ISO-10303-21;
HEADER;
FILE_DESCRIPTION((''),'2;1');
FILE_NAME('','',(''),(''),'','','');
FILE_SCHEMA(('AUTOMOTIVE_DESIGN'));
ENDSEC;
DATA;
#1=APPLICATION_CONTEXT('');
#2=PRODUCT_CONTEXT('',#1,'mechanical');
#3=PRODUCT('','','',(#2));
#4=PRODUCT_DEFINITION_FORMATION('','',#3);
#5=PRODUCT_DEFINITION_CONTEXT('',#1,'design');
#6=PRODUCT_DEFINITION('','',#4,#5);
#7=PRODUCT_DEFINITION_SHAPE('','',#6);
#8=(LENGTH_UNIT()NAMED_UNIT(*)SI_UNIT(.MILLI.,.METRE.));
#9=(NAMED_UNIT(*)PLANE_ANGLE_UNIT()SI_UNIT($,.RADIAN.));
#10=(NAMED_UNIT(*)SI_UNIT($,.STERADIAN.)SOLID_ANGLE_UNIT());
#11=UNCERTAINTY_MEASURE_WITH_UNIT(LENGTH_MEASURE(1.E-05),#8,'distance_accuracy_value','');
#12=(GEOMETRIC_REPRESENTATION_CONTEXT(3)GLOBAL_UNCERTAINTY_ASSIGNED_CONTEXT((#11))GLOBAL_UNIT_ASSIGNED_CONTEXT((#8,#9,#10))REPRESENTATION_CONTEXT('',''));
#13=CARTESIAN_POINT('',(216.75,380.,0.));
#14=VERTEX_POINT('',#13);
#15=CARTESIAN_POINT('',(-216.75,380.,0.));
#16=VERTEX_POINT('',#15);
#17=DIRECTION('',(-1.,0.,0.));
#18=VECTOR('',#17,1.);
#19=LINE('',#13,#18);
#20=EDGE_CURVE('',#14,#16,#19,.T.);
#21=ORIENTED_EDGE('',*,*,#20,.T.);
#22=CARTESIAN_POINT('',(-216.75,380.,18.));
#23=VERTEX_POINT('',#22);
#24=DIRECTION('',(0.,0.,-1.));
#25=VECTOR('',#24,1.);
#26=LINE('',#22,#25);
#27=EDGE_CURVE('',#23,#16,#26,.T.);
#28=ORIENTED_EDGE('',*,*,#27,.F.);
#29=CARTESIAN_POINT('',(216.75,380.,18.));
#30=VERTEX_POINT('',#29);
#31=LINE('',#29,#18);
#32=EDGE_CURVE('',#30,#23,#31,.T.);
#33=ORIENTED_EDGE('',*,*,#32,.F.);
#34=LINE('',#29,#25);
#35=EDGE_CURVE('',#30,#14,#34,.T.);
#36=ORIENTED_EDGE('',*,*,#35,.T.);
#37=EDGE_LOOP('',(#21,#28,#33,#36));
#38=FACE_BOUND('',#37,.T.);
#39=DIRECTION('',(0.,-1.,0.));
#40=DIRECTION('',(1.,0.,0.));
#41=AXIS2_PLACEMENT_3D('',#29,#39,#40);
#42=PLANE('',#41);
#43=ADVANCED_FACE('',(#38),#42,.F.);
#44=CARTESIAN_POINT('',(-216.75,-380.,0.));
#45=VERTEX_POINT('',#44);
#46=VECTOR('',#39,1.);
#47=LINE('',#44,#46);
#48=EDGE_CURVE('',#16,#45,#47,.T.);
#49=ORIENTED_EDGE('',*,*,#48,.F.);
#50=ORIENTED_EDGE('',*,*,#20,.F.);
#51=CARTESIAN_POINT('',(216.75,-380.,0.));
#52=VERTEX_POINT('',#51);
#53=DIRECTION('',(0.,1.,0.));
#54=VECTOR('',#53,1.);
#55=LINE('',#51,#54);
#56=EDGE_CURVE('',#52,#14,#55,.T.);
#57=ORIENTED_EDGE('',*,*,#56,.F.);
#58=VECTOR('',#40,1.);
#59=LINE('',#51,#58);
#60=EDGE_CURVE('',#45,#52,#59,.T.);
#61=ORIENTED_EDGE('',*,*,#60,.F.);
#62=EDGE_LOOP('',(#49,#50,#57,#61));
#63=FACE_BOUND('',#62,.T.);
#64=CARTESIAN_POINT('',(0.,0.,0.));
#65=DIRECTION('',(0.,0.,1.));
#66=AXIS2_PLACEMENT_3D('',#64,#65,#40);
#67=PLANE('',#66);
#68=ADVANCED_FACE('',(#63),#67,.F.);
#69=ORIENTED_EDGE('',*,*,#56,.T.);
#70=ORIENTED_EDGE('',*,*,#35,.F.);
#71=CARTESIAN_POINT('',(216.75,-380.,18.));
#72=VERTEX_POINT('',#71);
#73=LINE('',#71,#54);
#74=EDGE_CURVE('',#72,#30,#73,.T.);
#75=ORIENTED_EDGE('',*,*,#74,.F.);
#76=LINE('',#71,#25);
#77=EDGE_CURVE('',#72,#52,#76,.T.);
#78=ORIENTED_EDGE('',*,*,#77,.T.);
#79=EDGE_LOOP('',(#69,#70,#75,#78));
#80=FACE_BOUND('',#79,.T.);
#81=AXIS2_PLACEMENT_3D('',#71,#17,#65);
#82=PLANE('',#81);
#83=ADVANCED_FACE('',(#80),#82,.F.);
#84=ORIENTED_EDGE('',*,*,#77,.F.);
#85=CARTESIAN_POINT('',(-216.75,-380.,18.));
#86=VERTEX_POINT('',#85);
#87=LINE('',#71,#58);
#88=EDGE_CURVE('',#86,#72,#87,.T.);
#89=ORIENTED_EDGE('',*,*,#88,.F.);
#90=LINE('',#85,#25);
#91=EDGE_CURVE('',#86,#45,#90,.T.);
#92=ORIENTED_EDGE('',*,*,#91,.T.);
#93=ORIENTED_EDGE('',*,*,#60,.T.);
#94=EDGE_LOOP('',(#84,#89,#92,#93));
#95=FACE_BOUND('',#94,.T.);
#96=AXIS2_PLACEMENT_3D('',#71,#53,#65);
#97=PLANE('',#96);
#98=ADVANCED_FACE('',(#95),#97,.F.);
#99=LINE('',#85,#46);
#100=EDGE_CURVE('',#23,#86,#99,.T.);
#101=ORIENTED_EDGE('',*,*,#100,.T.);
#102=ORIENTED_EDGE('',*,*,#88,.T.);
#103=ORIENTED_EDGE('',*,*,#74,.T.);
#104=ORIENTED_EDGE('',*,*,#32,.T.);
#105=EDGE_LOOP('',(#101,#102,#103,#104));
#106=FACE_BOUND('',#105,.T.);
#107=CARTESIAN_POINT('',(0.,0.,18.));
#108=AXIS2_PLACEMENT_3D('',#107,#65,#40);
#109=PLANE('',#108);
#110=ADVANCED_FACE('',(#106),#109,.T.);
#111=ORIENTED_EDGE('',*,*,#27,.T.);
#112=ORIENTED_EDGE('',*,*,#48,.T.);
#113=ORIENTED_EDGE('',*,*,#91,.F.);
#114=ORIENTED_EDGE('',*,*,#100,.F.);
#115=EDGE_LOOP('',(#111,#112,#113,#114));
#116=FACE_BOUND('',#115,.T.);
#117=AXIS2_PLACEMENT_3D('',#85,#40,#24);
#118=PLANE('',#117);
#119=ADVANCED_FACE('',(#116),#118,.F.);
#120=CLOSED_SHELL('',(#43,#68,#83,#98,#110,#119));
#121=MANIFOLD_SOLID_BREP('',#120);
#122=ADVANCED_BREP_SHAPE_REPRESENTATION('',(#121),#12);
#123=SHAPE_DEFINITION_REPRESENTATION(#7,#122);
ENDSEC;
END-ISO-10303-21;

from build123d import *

# Parameters (mm, degrees)
SKETCH1_W           = 433.5
SKETCH1_H           = 760
BOSS_EXTRUDE1_DEPTH = 18


with BuildPart() as part:
    # Sketch1 → Boss-Extrude1 (new body)
    with BuildSketch(Plane.XY):
        Rectangle(SKETCH1_W, SKETCH1_H)
    extrude(amount=BOSS_EXTRUDE1_DEPTH)


solid = part.part
